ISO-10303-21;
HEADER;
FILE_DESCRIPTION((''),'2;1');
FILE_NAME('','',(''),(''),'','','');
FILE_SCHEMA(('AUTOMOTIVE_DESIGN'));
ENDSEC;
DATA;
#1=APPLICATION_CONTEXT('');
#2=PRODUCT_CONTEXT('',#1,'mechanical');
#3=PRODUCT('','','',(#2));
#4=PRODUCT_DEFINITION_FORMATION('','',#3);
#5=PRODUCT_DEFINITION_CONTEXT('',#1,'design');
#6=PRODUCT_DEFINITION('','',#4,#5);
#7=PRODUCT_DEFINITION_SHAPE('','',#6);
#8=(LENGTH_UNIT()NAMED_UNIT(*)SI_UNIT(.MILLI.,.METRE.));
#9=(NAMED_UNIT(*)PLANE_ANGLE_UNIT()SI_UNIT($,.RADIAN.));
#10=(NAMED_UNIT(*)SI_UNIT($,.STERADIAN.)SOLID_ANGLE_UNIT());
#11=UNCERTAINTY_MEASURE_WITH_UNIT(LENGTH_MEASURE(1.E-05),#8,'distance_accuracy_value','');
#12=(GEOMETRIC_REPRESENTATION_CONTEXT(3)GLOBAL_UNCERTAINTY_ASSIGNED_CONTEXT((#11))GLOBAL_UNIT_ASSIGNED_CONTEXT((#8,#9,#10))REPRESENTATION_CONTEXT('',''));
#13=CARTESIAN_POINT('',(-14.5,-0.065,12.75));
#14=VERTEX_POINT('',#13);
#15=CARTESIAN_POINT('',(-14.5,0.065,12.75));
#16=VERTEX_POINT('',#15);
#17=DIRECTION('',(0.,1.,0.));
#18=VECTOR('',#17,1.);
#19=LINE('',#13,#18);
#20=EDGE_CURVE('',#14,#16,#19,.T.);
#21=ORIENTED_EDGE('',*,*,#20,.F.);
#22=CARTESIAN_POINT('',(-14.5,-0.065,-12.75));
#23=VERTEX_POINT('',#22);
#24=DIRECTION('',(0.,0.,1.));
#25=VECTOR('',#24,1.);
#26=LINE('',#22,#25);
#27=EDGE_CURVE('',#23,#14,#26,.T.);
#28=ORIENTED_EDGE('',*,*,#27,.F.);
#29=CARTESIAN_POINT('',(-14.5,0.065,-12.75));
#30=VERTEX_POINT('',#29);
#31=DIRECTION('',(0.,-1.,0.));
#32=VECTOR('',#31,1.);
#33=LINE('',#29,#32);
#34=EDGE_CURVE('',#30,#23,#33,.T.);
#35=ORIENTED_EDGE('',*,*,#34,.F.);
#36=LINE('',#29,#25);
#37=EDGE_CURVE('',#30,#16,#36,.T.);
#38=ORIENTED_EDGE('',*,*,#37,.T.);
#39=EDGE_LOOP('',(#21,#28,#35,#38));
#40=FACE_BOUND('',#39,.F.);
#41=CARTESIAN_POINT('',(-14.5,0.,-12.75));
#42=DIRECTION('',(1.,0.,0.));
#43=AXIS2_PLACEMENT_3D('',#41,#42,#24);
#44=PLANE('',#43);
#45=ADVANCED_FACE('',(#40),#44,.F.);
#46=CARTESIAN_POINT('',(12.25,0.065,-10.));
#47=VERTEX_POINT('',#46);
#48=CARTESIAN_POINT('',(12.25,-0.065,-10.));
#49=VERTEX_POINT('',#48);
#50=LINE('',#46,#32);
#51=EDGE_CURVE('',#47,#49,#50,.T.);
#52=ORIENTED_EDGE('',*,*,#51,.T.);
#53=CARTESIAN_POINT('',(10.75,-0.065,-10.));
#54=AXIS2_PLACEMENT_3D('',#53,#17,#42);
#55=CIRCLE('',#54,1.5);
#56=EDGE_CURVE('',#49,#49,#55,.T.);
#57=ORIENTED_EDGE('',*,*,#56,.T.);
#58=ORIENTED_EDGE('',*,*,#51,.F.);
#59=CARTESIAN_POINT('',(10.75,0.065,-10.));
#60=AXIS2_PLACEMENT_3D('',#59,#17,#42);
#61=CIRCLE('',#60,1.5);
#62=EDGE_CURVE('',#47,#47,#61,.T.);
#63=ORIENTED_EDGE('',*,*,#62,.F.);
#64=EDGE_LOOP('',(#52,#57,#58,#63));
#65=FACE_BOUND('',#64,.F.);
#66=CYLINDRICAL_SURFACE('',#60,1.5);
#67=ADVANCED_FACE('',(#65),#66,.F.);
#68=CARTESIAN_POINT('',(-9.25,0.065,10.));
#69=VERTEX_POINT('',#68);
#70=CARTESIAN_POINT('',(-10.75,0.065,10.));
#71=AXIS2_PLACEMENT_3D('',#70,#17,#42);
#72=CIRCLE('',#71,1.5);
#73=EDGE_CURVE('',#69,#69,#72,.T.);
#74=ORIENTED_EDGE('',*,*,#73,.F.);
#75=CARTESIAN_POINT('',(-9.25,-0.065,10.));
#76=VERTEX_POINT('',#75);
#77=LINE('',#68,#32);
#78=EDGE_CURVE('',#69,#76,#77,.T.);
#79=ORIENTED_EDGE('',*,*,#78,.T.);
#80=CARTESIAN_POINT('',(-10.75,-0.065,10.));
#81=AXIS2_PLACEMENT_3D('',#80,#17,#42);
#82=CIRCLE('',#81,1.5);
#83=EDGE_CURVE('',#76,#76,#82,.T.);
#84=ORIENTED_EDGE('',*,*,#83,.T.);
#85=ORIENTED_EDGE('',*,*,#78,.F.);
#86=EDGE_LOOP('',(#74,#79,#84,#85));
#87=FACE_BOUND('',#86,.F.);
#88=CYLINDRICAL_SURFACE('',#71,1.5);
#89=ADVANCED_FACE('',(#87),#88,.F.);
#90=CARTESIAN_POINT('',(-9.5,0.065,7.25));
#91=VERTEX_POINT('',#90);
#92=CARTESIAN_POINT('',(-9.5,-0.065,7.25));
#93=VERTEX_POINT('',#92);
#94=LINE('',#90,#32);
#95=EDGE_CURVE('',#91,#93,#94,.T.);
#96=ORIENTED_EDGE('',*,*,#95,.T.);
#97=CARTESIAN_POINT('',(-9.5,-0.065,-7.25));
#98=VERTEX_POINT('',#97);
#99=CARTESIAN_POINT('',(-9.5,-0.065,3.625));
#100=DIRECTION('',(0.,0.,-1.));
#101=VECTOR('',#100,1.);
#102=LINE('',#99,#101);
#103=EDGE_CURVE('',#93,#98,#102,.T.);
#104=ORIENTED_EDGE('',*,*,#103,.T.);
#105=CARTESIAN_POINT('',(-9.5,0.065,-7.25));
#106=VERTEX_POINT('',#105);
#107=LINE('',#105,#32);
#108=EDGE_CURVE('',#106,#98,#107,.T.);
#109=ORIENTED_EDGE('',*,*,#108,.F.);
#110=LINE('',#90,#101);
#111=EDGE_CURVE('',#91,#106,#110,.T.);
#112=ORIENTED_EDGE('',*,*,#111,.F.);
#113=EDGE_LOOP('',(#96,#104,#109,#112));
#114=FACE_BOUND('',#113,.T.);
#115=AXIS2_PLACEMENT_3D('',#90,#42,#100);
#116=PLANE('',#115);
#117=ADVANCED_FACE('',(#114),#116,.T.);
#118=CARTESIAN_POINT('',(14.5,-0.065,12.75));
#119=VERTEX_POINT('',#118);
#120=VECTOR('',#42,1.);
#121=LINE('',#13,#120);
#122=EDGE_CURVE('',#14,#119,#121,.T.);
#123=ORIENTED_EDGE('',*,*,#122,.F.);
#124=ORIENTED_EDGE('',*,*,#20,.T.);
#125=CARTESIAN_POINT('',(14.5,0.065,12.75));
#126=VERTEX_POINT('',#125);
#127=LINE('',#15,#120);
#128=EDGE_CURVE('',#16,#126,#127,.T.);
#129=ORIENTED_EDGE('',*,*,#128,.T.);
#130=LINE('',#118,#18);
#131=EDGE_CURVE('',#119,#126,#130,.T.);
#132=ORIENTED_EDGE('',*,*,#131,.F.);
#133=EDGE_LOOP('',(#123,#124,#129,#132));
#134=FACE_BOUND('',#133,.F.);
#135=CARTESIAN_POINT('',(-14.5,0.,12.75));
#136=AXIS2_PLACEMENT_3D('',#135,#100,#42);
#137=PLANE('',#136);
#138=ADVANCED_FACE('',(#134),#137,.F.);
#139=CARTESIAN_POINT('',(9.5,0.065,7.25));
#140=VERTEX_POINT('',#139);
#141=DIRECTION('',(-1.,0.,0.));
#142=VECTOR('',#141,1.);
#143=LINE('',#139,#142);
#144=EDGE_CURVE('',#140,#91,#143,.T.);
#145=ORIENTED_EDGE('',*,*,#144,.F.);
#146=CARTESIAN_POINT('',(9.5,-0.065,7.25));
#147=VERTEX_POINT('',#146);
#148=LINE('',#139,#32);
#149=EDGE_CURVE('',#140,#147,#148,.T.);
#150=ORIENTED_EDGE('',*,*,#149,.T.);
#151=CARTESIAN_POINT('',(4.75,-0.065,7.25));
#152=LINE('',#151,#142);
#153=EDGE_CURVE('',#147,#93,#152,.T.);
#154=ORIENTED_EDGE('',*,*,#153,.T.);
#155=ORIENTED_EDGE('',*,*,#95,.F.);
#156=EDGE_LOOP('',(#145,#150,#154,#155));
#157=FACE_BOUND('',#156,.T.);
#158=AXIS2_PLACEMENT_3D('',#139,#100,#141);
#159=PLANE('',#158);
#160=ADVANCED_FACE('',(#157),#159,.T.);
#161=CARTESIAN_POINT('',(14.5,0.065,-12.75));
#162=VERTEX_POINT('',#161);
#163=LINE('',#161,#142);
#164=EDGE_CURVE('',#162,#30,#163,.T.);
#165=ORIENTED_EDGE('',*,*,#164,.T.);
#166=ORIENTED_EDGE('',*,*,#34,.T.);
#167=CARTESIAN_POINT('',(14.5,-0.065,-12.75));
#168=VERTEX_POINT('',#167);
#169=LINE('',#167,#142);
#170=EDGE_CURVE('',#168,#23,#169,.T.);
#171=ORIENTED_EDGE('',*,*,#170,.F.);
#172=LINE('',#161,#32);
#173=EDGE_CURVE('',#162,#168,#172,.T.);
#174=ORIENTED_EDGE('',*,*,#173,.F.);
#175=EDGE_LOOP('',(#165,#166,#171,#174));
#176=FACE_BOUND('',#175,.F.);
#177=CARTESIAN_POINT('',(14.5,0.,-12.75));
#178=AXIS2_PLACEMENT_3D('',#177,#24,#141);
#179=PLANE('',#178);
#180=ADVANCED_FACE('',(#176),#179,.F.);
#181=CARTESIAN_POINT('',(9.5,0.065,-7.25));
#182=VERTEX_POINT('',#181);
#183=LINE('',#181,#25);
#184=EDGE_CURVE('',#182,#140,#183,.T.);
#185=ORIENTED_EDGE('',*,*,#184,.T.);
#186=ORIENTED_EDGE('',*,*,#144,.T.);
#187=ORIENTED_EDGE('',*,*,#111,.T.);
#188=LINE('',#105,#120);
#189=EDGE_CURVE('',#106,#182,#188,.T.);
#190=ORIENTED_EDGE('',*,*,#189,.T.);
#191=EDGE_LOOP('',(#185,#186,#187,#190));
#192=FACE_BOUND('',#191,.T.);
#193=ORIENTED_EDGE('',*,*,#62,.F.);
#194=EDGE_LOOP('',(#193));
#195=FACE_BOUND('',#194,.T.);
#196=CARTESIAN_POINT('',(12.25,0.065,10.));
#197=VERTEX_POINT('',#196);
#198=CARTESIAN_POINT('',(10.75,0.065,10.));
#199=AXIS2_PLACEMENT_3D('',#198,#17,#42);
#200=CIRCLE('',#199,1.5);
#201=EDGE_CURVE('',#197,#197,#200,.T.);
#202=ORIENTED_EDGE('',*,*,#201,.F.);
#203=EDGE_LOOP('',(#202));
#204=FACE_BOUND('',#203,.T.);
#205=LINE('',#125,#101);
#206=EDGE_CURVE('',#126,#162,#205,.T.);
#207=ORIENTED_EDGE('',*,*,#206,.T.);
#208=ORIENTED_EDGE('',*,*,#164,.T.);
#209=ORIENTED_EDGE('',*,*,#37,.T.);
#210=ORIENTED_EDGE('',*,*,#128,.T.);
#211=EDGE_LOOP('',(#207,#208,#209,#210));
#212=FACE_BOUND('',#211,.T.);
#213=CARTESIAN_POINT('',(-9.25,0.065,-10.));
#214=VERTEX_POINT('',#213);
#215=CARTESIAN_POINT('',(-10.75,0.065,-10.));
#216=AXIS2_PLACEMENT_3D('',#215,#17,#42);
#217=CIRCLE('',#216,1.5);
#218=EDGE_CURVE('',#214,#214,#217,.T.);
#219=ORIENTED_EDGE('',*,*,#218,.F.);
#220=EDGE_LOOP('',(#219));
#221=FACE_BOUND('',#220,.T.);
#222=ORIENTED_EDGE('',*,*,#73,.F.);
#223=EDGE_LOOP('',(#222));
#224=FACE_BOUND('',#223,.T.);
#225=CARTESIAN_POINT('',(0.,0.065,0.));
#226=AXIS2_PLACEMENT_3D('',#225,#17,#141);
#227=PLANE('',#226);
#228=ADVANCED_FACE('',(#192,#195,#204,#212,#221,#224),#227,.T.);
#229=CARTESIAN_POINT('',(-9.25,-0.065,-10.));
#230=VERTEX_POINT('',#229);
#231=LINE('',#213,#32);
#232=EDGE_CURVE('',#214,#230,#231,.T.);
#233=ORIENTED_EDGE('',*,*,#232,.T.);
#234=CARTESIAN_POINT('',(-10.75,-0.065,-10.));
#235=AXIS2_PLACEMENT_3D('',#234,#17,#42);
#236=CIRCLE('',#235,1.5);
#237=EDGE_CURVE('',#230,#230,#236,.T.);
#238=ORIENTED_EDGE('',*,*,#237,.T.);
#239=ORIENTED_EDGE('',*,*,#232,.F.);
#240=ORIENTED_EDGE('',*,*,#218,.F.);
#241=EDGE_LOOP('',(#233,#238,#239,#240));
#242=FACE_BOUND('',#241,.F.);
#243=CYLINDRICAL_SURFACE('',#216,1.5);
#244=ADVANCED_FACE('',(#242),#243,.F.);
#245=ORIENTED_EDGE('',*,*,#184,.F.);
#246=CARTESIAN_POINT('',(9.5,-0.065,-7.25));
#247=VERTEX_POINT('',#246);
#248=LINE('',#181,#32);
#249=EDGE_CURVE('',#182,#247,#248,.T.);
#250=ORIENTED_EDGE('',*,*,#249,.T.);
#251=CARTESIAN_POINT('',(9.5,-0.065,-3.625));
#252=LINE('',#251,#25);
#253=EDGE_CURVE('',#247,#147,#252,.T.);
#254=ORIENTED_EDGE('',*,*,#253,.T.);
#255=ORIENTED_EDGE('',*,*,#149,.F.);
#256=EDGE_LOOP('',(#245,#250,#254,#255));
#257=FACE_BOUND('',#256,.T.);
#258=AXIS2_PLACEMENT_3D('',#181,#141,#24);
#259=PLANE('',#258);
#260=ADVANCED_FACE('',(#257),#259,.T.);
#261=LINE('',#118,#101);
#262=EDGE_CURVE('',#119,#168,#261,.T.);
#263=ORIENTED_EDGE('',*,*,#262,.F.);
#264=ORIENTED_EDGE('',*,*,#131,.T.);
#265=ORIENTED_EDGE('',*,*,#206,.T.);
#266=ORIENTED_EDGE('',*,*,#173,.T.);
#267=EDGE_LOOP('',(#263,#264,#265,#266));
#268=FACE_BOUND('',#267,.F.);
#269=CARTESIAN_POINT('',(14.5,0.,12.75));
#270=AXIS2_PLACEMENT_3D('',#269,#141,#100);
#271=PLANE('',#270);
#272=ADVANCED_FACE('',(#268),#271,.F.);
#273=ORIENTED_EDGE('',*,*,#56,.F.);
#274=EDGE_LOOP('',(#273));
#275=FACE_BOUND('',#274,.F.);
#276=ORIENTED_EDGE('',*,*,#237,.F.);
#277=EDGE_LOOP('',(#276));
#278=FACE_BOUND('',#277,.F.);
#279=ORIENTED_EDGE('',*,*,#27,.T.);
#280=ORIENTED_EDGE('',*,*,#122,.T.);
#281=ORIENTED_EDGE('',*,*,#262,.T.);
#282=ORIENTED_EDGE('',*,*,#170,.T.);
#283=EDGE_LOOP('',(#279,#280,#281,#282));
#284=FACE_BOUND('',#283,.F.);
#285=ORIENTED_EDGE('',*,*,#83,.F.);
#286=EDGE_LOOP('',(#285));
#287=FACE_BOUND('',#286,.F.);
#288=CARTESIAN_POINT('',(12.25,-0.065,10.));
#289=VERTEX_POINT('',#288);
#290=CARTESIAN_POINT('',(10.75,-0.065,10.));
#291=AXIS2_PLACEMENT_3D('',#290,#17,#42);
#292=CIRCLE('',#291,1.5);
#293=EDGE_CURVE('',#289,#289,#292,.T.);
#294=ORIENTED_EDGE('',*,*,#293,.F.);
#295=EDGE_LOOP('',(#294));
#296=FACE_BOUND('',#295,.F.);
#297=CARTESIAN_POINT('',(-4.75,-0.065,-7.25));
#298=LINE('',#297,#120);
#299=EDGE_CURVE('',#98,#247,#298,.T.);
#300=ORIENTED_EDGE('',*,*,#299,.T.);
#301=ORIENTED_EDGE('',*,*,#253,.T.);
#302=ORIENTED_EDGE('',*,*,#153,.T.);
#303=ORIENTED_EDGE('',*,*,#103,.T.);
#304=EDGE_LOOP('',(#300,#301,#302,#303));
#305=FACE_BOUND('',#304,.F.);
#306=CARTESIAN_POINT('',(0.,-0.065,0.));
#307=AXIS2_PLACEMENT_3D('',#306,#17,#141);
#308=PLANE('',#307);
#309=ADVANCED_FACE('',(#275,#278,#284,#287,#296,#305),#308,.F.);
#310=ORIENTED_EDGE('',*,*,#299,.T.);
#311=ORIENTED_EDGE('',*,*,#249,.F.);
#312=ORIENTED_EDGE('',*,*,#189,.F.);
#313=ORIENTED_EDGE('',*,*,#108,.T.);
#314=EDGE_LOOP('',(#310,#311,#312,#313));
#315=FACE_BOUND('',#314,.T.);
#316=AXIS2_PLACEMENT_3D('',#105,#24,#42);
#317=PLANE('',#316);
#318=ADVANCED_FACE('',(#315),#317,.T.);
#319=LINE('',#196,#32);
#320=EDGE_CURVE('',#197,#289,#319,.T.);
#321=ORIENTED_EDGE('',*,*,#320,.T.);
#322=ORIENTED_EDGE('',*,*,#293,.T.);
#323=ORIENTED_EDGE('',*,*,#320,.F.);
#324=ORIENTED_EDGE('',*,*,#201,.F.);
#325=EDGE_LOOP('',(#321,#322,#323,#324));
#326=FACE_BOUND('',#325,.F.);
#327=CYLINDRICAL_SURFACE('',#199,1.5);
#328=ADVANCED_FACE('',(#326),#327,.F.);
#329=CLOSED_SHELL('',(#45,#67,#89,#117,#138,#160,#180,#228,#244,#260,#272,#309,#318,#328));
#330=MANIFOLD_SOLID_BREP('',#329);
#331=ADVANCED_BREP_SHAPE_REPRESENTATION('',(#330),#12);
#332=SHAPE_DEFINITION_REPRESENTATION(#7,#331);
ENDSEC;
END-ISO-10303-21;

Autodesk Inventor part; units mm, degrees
ref_plane "YZ Plane" through (0, 0, 0) normal (1, 0, 0) x (0, 1, 0)
ref_plane "XZ Plane" through (0, 0, 0) normal (0, 1, 0) x (-1, 0, 0)
ref_plane "XY Plane" through (0, 0, 0) normal (0, 0, 1) x (1, 0, 0)
sketch "Sketch1" plane through (0, 0, 0) normal (0, 1, 0) x (-1, 0, 0)
  line L0 (14.5, 12.75) -> (-14.5, 12.75)
  line L1 (-14.5, 12.75) -> (-14.5, -12.75)
  line L2 (-14.5, -12.75) -> (14.5, -12.75)
  line L3 (14.5, -12.75) -> (14.5, 12.75)
  line L4 (14.5, 12.75) -> (-14.5, -12.75) construction
  line L5 (-14.5, 12.75) -> (14.5, -12.75) construction
  point P0 (0, 0)
  dimension "d0" = 29
  dimension "d1" = 25.5
extrude "Extrusion1" add sketch "Sketch1" along normal mid plane 0.13
sketch "Sketch2" plane through (0, 0.065, 0) normal (0, 1, 0) x (1, 0, 0)
  circle A0 centre (-10.75, 10) radius 1.5
  line L0 (14.5, 12.75) -> (-14.5, 12.75) projected
  line L1 (-14.5, 12.75) -> (-14.5, -12.75) projected
  circle A1 centre (10.75, 10) radius 1.5
  circle A2 centre (-10.75, -10) radius 1.5
  circle A3 centre (10.75, -10) radius 1.5
  point P0 (0, 0)
  dimension "d4" = 3
  dimension "d5" = 2.75
  dimension "d6" = 3.75
  dimension "d9" = 21.5
  dimension "d12" = 20
extrude "Extrusion2" cut sketch "Sketch2" against normal through all
sketch "Sketch3" plane through (0, 0.065, 0) normal (0, 1, 0) x (1, 0, 0)
  line L0 (-9.5, 7.25) -> (9.5, 7.25)
  line L1 (9.5, 7.25) -> (9.5, -7.25)
  line L2 (9.5, -7.25) -> (-9.5, -7.25)
  line L3 (-9.5, -7.25) -> (-9.5, 7.25)
  line L4 (-9.5, 7.25) -> (9.5, -7.25) construction
  line L5 (9.5, 7.25) -> (-9.5, -7.25) construction
  point P0 (0, 0)
  dimension "d17" = 19
  dimension "d18" = 14.5
extrude "Extrusion3" cut sketch "Sketch3" against normal through all
properties material "Nylon 6/6"
